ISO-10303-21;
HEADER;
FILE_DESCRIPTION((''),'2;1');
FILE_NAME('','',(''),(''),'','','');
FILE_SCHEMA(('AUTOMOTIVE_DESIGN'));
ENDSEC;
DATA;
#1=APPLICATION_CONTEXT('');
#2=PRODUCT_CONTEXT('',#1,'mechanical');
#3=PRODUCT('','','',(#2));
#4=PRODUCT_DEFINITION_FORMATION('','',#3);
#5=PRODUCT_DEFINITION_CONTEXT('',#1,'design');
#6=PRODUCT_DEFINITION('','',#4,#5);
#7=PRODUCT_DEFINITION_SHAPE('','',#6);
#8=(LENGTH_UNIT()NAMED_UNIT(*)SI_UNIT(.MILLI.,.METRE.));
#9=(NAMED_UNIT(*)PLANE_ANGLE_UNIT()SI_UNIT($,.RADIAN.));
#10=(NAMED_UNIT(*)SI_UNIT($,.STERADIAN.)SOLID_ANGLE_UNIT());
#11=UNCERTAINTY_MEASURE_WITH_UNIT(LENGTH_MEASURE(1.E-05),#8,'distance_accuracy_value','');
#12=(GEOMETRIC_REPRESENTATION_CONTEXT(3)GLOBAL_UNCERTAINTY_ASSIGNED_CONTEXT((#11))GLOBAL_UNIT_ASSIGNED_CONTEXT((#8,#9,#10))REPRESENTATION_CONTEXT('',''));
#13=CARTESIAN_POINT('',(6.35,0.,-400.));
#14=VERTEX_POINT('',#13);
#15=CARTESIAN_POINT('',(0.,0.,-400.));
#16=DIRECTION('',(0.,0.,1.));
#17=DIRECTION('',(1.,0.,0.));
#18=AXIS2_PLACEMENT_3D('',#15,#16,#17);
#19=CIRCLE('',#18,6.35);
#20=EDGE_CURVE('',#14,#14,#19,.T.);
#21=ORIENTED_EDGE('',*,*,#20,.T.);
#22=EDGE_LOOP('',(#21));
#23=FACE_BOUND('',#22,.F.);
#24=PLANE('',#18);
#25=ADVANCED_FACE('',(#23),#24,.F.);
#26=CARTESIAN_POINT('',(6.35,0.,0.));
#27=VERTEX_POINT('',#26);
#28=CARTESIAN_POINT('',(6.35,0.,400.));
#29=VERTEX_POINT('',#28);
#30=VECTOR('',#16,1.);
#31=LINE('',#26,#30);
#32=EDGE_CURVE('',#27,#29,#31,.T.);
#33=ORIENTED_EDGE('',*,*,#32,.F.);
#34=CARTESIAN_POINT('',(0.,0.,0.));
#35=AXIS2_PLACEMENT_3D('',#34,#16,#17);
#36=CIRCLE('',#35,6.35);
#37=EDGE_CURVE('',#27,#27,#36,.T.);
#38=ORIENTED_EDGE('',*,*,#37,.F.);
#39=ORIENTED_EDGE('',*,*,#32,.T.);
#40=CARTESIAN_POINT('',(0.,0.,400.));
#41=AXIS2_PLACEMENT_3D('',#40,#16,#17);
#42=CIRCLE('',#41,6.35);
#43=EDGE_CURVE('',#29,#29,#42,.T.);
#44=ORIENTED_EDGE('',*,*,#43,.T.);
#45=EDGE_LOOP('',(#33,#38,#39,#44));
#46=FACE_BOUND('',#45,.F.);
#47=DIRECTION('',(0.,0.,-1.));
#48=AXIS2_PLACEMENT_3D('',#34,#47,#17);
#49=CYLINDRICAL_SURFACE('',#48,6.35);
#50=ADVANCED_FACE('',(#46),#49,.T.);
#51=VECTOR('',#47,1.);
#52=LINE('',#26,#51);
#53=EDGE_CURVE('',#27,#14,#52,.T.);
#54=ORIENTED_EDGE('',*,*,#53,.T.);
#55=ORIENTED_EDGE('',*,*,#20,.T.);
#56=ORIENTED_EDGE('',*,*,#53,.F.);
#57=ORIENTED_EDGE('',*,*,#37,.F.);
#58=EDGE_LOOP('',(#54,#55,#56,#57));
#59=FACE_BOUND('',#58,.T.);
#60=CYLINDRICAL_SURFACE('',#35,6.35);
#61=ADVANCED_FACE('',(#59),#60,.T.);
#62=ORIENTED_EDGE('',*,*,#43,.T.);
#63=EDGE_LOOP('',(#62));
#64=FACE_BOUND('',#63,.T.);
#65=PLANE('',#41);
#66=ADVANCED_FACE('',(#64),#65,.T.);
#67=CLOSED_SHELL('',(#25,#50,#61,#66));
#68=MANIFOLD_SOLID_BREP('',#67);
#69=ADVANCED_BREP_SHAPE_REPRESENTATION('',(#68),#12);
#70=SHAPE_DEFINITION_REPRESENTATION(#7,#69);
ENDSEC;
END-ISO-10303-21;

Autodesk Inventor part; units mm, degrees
ref_plane "YZ Plane" through (0, 0, 0) normal (1, 0, 0) x (0, 1, 0)
ref_plane "XZ Plane" through (0, 0, 0) normal (0, 1, 0) x (-1, 0, 0)
ref_plane "XY Plane" through (0, 0, 0) normal (0, 0, 1) x (1, 0, 0)
sketch "Boceto1" plane through (0, 0, 0) normal (0, 0, 1) x (1, 0, 0)
  circle A0 centre (0, 0) radius 6.35
  dimension "d0" = 12.7
extrude "Extrusión1" add sketch "Boceto1" along normal mid plane 800
properties part number "Eje"
